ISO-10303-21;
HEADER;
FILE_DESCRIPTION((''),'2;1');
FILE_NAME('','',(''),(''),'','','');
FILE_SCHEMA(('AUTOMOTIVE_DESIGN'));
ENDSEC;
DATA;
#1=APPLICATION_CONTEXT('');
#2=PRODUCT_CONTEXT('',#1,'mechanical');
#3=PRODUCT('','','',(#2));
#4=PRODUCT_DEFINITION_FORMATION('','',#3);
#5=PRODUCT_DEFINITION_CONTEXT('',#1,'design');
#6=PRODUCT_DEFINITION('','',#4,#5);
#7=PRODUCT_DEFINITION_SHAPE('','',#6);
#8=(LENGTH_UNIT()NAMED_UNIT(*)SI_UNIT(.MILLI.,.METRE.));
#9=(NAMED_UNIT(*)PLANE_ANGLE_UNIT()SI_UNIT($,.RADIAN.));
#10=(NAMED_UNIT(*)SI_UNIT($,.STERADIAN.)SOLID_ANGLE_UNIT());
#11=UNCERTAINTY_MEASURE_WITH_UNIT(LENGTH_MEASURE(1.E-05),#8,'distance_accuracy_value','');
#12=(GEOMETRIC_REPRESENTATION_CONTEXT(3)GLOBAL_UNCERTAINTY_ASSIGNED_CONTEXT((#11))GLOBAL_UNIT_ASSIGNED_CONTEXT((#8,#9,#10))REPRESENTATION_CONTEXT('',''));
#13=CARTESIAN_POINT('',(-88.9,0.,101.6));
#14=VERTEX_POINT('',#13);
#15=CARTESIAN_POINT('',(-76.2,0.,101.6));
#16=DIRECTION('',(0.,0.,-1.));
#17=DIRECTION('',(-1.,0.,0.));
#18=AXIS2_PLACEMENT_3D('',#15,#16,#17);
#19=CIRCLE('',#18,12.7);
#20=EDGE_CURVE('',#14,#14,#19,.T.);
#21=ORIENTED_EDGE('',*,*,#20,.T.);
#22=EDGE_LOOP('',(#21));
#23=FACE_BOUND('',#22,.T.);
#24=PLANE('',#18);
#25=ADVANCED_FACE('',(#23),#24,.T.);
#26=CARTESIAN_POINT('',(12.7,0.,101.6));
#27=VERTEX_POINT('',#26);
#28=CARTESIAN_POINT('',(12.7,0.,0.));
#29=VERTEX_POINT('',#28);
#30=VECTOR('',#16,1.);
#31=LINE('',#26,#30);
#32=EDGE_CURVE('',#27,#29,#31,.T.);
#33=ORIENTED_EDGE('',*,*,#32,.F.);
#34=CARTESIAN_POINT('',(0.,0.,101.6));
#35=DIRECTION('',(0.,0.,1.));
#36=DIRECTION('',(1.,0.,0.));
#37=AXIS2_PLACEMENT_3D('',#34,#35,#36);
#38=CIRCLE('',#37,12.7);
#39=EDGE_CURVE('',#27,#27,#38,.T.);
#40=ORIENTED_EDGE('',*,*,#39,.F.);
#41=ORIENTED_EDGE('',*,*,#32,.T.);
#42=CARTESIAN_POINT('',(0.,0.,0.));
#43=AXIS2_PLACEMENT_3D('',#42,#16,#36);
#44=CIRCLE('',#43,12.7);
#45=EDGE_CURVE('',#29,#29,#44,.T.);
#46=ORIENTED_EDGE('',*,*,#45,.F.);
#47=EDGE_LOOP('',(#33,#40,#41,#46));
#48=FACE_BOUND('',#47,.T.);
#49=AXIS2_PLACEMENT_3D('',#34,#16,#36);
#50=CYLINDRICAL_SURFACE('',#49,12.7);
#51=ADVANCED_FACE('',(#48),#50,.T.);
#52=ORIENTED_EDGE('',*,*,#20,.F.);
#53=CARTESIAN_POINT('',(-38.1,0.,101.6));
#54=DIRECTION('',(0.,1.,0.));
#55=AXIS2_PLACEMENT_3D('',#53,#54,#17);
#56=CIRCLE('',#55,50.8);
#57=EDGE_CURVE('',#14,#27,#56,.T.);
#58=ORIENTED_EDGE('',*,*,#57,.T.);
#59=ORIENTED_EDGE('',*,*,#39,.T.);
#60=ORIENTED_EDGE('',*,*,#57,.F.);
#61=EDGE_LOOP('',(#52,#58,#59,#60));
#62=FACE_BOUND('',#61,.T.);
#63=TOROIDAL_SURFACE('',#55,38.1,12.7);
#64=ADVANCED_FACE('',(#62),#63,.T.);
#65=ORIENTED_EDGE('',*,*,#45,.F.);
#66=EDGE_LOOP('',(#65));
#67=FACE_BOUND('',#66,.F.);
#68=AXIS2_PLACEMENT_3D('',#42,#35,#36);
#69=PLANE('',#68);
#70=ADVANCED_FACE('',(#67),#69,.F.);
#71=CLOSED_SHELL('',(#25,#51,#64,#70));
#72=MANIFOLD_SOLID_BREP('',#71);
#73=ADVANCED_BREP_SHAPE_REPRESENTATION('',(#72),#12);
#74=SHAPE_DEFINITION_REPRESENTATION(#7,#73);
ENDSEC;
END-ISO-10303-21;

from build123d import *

# Parameters (mm, degrees)
F0_R = 12.7


with BuildPart() as f2:
    # F2: sweep along a path in F1
    with BuildLine(Plane.XZ) as f2_path:
        ThreePointArc((-76.2, 101.6), (-38.1, 139.7), (0, 101.6))
        Line((0, 101.6), (0, 0))
    # F0 (on Top) → F2 (sweep)
    with BuildSketch(Plane.XY):
        Circle(F0_R)
    sweep(path=f2_path.line)


solid = f2.part
